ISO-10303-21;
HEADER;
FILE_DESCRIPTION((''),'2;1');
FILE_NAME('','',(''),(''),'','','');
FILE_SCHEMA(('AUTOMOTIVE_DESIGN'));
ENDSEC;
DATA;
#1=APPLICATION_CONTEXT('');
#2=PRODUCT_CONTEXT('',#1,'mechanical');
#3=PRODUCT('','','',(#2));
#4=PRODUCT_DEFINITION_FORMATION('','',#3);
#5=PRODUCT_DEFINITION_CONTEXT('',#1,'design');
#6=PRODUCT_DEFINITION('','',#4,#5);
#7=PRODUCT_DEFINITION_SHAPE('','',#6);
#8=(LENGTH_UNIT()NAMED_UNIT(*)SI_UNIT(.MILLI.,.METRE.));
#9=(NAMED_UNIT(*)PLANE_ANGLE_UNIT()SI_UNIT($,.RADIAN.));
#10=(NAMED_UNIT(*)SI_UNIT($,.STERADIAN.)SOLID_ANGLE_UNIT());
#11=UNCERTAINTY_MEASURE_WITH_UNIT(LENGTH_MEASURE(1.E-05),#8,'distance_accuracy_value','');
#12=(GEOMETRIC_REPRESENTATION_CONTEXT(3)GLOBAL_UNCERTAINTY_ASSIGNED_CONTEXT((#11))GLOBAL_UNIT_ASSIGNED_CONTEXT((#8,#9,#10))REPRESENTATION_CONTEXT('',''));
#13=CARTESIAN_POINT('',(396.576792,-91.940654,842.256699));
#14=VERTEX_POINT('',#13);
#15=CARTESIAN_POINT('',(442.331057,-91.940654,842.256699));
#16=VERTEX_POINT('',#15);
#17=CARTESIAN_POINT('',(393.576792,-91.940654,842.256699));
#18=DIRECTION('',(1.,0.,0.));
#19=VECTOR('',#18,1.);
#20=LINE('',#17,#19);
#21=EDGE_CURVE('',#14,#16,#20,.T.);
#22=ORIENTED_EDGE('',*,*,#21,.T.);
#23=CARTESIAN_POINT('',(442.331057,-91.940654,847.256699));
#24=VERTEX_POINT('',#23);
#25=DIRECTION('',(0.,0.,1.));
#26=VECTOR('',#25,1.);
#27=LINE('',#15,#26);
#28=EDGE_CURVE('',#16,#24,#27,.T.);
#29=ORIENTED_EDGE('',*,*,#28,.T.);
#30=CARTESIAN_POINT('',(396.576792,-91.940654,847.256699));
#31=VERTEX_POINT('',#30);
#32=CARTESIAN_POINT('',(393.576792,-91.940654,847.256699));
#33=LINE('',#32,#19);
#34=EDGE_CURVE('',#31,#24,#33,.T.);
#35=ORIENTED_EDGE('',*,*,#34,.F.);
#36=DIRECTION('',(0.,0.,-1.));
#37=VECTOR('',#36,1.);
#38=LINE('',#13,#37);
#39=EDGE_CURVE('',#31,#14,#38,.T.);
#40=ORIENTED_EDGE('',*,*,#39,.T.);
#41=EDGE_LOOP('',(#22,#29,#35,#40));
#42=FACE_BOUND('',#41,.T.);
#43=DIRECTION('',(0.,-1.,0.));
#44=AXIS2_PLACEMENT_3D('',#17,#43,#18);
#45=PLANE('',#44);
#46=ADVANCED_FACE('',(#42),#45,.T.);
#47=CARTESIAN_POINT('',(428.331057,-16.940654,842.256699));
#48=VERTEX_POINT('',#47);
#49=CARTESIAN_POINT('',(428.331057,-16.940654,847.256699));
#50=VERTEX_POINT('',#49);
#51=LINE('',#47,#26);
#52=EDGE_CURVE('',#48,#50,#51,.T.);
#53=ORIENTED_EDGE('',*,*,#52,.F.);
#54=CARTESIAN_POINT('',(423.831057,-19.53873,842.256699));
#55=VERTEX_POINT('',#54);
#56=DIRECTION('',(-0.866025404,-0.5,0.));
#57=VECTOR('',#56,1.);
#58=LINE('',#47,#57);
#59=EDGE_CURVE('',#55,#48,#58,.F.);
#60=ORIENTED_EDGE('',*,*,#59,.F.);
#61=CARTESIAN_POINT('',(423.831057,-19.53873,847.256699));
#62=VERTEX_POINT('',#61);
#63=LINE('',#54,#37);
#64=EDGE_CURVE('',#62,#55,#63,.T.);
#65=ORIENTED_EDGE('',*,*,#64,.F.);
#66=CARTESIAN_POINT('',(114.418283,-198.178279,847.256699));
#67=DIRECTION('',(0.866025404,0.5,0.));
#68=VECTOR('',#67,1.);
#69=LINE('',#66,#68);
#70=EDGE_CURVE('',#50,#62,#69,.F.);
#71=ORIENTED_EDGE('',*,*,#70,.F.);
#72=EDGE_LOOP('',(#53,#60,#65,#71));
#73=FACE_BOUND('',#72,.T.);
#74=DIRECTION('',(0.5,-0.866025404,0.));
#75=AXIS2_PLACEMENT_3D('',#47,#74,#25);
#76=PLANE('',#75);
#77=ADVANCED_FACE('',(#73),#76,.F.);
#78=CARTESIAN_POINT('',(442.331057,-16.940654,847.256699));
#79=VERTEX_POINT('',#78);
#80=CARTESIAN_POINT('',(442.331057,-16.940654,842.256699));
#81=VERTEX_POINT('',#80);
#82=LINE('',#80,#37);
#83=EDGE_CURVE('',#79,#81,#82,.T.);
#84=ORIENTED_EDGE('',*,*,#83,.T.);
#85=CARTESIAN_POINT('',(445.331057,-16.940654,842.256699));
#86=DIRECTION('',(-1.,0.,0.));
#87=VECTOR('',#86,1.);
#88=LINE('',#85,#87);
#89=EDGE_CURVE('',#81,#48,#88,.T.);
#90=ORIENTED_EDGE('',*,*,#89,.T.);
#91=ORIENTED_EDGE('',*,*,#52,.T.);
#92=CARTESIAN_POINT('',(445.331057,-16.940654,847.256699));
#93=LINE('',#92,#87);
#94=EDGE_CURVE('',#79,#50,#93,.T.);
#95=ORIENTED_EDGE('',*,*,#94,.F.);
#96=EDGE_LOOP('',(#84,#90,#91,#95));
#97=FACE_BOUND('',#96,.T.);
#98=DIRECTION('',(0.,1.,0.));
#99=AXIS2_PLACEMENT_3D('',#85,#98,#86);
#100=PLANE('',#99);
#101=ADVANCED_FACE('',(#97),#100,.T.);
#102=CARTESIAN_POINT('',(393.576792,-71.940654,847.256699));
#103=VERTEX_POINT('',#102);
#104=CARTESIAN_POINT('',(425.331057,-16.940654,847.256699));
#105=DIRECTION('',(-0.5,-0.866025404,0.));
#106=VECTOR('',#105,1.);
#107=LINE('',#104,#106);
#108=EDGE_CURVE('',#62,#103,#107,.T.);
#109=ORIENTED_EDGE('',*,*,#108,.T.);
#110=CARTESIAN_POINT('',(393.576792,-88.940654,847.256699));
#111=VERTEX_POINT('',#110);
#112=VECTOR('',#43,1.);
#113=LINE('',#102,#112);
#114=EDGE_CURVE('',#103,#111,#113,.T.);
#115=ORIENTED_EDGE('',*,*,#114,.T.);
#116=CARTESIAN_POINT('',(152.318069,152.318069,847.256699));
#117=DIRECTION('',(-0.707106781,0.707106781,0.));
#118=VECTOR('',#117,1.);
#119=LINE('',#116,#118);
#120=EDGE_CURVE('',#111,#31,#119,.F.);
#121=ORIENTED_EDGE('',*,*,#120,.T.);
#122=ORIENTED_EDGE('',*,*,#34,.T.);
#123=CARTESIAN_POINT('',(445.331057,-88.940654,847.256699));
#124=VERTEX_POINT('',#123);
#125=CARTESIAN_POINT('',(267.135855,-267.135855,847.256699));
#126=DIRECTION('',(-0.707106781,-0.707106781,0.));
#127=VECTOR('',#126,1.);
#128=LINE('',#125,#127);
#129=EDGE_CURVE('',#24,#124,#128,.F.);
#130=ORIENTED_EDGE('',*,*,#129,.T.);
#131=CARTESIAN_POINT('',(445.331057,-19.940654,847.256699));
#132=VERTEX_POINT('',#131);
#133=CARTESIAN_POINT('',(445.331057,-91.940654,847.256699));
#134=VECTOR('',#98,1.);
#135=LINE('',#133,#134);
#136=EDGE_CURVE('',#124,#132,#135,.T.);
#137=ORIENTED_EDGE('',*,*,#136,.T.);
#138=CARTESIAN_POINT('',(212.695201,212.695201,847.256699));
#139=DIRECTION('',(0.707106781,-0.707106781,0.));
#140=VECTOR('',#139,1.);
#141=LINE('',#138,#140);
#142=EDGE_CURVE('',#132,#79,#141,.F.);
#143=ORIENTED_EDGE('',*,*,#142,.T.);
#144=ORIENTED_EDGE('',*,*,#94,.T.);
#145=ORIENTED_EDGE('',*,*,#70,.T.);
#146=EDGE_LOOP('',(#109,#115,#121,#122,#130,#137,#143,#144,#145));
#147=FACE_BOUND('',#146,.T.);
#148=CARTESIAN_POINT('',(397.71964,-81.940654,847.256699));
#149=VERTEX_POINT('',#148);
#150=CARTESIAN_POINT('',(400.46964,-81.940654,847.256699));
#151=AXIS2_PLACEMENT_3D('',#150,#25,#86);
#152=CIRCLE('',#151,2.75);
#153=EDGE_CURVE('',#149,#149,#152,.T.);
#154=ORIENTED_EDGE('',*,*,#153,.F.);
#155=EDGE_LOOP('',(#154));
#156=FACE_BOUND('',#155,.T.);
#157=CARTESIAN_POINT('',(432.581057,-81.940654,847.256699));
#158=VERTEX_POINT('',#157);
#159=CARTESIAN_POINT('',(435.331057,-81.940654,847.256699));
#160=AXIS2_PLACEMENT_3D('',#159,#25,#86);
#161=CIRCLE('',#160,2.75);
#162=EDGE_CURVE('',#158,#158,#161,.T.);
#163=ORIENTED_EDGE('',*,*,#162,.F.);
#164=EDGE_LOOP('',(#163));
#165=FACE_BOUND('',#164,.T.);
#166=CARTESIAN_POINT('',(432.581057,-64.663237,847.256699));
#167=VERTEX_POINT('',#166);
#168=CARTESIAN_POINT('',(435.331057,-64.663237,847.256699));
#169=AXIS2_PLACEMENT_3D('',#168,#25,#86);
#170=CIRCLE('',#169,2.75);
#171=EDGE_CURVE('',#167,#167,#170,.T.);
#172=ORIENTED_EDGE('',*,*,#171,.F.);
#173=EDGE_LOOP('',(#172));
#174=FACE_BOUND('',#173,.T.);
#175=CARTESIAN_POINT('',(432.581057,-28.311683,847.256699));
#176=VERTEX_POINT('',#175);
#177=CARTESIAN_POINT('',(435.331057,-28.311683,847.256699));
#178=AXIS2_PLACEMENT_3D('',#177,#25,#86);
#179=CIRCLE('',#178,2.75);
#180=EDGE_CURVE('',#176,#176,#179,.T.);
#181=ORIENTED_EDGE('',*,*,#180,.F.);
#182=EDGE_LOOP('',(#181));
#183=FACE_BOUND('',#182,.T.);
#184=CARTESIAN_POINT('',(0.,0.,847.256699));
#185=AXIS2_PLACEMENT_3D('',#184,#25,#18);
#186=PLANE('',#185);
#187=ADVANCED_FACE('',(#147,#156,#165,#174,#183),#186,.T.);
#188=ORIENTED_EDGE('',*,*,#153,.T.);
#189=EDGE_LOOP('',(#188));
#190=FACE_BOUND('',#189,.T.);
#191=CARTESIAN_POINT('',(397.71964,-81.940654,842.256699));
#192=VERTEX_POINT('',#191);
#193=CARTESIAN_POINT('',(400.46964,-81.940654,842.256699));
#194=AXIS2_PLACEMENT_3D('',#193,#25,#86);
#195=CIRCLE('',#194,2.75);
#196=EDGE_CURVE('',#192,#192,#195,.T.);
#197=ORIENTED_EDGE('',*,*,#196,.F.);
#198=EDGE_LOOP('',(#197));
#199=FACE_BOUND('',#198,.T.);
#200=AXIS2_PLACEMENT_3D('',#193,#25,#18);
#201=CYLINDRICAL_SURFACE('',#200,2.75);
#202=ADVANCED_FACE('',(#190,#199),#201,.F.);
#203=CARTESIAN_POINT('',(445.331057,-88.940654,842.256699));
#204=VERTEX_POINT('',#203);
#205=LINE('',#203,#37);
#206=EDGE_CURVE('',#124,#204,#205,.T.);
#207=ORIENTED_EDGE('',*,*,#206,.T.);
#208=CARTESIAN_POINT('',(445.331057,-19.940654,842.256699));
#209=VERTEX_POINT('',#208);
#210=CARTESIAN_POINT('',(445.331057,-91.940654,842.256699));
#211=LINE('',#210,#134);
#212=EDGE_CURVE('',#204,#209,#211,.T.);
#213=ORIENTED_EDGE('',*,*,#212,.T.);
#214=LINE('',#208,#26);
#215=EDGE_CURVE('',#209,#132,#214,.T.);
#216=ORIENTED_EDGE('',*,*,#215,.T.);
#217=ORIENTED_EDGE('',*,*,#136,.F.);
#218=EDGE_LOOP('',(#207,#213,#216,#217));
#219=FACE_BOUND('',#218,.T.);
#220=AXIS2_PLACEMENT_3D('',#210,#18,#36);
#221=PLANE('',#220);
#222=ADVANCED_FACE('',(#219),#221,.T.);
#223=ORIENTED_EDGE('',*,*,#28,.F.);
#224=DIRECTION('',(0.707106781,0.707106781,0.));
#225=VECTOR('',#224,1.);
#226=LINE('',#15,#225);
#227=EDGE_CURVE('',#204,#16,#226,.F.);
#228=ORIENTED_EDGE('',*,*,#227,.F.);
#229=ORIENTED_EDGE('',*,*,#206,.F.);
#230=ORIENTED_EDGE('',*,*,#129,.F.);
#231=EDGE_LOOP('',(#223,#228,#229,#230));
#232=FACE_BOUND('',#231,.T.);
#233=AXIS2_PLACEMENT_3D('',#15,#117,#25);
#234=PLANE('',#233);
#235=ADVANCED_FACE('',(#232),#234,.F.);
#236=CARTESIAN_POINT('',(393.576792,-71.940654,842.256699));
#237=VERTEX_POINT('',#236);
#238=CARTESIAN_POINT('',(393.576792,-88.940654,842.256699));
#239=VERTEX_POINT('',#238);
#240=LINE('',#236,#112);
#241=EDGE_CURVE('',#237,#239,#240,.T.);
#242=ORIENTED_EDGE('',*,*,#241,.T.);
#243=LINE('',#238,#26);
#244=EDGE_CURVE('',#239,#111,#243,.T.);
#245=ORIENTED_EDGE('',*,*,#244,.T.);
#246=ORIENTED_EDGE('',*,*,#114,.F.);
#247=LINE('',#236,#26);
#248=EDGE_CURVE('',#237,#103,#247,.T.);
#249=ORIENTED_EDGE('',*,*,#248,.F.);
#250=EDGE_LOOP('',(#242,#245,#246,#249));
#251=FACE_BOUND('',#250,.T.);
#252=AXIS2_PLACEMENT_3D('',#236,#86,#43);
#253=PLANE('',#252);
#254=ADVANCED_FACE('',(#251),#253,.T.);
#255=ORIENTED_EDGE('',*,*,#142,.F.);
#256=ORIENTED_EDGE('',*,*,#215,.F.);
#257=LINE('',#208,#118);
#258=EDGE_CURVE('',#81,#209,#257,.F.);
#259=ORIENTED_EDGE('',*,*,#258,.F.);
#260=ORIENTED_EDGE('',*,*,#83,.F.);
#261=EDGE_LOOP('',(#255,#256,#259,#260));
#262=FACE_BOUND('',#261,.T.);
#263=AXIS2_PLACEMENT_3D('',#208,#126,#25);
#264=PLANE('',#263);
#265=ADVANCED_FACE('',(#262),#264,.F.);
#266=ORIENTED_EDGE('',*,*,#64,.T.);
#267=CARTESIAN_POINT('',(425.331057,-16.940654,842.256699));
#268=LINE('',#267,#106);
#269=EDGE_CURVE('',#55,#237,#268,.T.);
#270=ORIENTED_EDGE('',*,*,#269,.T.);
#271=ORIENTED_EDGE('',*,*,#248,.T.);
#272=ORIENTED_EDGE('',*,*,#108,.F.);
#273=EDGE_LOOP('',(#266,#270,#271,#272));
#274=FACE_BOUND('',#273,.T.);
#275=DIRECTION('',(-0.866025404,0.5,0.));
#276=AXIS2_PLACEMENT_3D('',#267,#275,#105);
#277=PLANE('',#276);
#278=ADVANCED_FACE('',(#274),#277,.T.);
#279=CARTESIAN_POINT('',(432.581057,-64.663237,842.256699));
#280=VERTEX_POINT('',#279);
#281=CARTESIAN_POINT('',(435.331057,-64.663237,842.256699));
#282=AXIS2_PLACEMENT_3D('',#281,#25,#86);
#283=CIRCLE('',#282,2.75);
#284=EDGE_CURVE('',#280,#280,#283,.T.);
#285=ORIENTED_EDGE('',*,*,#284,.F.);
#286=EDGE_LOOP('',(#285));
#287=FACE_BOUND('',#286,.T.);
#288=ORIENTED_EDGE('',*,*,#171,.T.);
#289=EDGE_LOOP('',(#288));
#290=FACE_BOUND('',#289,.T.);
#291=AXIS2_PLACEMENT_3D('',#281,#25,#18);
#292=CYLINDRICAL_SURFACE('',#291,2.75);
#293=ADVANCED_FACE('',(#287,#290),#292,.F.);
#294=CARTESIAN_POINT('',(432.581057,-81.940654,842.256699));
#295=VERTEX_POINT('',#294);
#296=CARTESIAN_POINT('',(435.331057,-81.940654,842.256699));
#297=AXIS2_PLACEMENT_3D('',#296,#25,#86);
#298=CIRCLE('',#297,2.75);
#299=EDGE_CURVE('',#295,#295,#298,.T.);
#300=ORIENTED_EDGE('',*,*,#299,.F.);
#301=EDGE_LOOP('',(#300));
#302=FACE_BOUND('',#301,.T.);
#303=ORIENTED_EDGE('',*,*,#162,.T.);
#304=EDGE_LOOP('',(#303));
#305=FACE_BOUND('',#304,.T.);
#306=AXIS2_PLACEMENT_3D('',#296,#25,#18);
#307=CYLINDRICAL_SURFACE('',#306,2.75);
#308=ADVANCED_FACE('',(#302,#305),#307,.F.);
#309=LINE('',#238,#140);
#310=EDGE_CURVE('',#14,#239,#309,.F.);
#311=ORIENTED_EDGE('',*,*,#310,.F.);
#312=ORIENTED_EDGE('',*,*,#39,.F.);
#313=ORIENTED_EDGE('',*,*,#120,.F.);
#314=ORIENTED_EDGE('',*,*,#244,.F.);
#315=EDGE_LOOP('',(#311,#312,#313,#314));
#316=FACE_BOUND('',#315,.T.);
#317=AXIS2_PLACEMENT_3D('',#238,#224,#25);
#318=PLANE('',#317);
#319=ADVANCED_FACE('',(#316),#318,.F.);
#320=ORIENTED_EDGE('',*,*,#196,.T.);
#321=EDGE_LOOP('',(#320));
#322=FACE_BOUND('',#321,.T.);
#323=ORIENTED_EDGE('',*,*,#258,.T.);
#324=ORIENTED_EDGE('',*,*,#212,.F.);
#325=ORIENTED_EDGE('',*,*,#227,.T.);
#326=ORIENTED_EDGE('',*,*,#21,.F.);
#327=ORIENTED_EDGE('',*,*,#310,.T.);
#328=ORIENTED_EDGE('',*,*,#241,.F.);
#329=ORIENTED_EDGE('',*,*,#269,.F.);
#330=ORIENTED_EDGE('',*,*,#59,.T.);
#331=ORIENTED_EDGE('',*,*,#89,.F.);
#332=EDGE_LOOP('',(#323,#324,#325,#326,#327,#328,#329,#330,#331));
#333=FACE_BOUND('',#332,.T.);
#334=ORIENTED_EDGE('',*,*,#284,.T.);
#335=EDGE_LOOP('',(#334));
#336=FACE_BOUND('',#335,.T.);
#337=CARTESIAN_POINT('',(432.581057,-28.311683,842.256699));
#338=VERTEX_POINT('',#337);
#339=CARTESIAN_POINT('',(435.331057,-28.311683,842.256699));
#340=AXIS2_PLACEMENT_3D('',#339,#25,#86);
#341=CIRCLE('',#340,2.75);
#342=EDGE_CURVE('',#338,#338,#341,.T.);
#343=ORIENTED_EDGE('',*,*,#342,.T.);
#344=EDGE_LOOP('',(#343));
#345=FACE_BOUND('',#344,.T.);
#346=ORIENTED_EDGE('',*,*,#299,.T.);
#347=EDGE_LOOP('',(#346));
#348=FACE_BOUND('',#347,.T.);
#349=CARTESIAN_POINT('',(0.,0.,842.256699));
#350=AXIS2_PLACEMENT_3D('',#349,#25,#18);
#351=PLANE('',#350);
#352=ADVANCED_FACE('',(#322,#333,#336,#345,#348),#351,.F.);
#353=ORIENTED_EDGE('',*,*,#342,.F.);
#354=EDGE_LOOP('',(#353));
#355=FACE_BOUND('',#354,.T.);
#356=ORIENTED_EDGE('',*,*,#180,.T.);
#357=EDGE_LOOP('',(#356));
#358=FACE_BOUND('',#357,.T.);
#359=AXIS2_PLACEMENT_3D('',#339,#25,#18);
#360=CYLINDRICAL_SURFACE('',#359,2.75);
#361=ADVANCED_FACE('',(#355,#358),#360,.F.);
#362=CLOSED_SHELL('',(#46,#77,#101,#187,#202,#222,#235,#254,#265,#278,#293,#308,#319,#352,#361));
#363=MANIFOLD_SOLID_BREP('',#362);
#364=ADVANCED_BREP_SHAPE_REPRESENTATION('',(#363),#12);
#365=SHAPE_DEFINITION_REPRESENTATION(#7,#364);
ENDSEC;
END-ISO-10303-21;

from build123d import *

# Parameters (mm, degrees)
SKETCH1_R           = 2.75
BOSS_EXTRUDE1_DEPTH = 5
CHAMFER1_SIZE       = 3


with BuildPart() as part:
    # Sketch1 → Boss-Extrude1 (new body)
    with BuildSketch(Plane.XY.offset(847.256699138)):
        Polygon((445.331056746, -16.940654003), (425.331056746, -16.940654003), (393.576791941, -71.940654003), (393.576791941, -91.940654003), (445.331056746, -91.940654003), align=None)
        with Locations(Location((435.331056746, -28.311683021, 0), (0, 0, 180))):
            Circle(SKETCH1_R, mode=Mode.SUBTRACT)
        with Locations(Location((435.331056746, -64.663237098, 0), (0, 0, 180))):
            Circle(SKETCH1_R, mode=Mode.SUBTRACT)
        with Locations(Location((400.469639923, -81.940654003, 0), (0, 0, 180))):
            Circle(SKETCH1_R, mode=Mode.SUBTRACT)
        with Locations(Location((435.331056746, -81.940654003, 0), (0, 0, 180))):
            Circle(SKETCH1_R, mode=Mode.SUBTRACT)
    extrude(amount=-BOSS_EXTRUDE1_DEPTH)

    # Chamfer1
    chamfer1_edges = [part.edges().sort_by_distance(p)[0] for p in [
        (445.331056746, -91.940654003, 844.756699138),
        (393.576791941, -91.940654003, 844.756699138),
        (425.331056746, -16.940654003, 844.756699138),
        (445.331056746, -16.940654003, 844.756699138),
    ]]
    chamfer(chamfer1_edges, length=CHAMFER1_SIZE)


solid = part.part
